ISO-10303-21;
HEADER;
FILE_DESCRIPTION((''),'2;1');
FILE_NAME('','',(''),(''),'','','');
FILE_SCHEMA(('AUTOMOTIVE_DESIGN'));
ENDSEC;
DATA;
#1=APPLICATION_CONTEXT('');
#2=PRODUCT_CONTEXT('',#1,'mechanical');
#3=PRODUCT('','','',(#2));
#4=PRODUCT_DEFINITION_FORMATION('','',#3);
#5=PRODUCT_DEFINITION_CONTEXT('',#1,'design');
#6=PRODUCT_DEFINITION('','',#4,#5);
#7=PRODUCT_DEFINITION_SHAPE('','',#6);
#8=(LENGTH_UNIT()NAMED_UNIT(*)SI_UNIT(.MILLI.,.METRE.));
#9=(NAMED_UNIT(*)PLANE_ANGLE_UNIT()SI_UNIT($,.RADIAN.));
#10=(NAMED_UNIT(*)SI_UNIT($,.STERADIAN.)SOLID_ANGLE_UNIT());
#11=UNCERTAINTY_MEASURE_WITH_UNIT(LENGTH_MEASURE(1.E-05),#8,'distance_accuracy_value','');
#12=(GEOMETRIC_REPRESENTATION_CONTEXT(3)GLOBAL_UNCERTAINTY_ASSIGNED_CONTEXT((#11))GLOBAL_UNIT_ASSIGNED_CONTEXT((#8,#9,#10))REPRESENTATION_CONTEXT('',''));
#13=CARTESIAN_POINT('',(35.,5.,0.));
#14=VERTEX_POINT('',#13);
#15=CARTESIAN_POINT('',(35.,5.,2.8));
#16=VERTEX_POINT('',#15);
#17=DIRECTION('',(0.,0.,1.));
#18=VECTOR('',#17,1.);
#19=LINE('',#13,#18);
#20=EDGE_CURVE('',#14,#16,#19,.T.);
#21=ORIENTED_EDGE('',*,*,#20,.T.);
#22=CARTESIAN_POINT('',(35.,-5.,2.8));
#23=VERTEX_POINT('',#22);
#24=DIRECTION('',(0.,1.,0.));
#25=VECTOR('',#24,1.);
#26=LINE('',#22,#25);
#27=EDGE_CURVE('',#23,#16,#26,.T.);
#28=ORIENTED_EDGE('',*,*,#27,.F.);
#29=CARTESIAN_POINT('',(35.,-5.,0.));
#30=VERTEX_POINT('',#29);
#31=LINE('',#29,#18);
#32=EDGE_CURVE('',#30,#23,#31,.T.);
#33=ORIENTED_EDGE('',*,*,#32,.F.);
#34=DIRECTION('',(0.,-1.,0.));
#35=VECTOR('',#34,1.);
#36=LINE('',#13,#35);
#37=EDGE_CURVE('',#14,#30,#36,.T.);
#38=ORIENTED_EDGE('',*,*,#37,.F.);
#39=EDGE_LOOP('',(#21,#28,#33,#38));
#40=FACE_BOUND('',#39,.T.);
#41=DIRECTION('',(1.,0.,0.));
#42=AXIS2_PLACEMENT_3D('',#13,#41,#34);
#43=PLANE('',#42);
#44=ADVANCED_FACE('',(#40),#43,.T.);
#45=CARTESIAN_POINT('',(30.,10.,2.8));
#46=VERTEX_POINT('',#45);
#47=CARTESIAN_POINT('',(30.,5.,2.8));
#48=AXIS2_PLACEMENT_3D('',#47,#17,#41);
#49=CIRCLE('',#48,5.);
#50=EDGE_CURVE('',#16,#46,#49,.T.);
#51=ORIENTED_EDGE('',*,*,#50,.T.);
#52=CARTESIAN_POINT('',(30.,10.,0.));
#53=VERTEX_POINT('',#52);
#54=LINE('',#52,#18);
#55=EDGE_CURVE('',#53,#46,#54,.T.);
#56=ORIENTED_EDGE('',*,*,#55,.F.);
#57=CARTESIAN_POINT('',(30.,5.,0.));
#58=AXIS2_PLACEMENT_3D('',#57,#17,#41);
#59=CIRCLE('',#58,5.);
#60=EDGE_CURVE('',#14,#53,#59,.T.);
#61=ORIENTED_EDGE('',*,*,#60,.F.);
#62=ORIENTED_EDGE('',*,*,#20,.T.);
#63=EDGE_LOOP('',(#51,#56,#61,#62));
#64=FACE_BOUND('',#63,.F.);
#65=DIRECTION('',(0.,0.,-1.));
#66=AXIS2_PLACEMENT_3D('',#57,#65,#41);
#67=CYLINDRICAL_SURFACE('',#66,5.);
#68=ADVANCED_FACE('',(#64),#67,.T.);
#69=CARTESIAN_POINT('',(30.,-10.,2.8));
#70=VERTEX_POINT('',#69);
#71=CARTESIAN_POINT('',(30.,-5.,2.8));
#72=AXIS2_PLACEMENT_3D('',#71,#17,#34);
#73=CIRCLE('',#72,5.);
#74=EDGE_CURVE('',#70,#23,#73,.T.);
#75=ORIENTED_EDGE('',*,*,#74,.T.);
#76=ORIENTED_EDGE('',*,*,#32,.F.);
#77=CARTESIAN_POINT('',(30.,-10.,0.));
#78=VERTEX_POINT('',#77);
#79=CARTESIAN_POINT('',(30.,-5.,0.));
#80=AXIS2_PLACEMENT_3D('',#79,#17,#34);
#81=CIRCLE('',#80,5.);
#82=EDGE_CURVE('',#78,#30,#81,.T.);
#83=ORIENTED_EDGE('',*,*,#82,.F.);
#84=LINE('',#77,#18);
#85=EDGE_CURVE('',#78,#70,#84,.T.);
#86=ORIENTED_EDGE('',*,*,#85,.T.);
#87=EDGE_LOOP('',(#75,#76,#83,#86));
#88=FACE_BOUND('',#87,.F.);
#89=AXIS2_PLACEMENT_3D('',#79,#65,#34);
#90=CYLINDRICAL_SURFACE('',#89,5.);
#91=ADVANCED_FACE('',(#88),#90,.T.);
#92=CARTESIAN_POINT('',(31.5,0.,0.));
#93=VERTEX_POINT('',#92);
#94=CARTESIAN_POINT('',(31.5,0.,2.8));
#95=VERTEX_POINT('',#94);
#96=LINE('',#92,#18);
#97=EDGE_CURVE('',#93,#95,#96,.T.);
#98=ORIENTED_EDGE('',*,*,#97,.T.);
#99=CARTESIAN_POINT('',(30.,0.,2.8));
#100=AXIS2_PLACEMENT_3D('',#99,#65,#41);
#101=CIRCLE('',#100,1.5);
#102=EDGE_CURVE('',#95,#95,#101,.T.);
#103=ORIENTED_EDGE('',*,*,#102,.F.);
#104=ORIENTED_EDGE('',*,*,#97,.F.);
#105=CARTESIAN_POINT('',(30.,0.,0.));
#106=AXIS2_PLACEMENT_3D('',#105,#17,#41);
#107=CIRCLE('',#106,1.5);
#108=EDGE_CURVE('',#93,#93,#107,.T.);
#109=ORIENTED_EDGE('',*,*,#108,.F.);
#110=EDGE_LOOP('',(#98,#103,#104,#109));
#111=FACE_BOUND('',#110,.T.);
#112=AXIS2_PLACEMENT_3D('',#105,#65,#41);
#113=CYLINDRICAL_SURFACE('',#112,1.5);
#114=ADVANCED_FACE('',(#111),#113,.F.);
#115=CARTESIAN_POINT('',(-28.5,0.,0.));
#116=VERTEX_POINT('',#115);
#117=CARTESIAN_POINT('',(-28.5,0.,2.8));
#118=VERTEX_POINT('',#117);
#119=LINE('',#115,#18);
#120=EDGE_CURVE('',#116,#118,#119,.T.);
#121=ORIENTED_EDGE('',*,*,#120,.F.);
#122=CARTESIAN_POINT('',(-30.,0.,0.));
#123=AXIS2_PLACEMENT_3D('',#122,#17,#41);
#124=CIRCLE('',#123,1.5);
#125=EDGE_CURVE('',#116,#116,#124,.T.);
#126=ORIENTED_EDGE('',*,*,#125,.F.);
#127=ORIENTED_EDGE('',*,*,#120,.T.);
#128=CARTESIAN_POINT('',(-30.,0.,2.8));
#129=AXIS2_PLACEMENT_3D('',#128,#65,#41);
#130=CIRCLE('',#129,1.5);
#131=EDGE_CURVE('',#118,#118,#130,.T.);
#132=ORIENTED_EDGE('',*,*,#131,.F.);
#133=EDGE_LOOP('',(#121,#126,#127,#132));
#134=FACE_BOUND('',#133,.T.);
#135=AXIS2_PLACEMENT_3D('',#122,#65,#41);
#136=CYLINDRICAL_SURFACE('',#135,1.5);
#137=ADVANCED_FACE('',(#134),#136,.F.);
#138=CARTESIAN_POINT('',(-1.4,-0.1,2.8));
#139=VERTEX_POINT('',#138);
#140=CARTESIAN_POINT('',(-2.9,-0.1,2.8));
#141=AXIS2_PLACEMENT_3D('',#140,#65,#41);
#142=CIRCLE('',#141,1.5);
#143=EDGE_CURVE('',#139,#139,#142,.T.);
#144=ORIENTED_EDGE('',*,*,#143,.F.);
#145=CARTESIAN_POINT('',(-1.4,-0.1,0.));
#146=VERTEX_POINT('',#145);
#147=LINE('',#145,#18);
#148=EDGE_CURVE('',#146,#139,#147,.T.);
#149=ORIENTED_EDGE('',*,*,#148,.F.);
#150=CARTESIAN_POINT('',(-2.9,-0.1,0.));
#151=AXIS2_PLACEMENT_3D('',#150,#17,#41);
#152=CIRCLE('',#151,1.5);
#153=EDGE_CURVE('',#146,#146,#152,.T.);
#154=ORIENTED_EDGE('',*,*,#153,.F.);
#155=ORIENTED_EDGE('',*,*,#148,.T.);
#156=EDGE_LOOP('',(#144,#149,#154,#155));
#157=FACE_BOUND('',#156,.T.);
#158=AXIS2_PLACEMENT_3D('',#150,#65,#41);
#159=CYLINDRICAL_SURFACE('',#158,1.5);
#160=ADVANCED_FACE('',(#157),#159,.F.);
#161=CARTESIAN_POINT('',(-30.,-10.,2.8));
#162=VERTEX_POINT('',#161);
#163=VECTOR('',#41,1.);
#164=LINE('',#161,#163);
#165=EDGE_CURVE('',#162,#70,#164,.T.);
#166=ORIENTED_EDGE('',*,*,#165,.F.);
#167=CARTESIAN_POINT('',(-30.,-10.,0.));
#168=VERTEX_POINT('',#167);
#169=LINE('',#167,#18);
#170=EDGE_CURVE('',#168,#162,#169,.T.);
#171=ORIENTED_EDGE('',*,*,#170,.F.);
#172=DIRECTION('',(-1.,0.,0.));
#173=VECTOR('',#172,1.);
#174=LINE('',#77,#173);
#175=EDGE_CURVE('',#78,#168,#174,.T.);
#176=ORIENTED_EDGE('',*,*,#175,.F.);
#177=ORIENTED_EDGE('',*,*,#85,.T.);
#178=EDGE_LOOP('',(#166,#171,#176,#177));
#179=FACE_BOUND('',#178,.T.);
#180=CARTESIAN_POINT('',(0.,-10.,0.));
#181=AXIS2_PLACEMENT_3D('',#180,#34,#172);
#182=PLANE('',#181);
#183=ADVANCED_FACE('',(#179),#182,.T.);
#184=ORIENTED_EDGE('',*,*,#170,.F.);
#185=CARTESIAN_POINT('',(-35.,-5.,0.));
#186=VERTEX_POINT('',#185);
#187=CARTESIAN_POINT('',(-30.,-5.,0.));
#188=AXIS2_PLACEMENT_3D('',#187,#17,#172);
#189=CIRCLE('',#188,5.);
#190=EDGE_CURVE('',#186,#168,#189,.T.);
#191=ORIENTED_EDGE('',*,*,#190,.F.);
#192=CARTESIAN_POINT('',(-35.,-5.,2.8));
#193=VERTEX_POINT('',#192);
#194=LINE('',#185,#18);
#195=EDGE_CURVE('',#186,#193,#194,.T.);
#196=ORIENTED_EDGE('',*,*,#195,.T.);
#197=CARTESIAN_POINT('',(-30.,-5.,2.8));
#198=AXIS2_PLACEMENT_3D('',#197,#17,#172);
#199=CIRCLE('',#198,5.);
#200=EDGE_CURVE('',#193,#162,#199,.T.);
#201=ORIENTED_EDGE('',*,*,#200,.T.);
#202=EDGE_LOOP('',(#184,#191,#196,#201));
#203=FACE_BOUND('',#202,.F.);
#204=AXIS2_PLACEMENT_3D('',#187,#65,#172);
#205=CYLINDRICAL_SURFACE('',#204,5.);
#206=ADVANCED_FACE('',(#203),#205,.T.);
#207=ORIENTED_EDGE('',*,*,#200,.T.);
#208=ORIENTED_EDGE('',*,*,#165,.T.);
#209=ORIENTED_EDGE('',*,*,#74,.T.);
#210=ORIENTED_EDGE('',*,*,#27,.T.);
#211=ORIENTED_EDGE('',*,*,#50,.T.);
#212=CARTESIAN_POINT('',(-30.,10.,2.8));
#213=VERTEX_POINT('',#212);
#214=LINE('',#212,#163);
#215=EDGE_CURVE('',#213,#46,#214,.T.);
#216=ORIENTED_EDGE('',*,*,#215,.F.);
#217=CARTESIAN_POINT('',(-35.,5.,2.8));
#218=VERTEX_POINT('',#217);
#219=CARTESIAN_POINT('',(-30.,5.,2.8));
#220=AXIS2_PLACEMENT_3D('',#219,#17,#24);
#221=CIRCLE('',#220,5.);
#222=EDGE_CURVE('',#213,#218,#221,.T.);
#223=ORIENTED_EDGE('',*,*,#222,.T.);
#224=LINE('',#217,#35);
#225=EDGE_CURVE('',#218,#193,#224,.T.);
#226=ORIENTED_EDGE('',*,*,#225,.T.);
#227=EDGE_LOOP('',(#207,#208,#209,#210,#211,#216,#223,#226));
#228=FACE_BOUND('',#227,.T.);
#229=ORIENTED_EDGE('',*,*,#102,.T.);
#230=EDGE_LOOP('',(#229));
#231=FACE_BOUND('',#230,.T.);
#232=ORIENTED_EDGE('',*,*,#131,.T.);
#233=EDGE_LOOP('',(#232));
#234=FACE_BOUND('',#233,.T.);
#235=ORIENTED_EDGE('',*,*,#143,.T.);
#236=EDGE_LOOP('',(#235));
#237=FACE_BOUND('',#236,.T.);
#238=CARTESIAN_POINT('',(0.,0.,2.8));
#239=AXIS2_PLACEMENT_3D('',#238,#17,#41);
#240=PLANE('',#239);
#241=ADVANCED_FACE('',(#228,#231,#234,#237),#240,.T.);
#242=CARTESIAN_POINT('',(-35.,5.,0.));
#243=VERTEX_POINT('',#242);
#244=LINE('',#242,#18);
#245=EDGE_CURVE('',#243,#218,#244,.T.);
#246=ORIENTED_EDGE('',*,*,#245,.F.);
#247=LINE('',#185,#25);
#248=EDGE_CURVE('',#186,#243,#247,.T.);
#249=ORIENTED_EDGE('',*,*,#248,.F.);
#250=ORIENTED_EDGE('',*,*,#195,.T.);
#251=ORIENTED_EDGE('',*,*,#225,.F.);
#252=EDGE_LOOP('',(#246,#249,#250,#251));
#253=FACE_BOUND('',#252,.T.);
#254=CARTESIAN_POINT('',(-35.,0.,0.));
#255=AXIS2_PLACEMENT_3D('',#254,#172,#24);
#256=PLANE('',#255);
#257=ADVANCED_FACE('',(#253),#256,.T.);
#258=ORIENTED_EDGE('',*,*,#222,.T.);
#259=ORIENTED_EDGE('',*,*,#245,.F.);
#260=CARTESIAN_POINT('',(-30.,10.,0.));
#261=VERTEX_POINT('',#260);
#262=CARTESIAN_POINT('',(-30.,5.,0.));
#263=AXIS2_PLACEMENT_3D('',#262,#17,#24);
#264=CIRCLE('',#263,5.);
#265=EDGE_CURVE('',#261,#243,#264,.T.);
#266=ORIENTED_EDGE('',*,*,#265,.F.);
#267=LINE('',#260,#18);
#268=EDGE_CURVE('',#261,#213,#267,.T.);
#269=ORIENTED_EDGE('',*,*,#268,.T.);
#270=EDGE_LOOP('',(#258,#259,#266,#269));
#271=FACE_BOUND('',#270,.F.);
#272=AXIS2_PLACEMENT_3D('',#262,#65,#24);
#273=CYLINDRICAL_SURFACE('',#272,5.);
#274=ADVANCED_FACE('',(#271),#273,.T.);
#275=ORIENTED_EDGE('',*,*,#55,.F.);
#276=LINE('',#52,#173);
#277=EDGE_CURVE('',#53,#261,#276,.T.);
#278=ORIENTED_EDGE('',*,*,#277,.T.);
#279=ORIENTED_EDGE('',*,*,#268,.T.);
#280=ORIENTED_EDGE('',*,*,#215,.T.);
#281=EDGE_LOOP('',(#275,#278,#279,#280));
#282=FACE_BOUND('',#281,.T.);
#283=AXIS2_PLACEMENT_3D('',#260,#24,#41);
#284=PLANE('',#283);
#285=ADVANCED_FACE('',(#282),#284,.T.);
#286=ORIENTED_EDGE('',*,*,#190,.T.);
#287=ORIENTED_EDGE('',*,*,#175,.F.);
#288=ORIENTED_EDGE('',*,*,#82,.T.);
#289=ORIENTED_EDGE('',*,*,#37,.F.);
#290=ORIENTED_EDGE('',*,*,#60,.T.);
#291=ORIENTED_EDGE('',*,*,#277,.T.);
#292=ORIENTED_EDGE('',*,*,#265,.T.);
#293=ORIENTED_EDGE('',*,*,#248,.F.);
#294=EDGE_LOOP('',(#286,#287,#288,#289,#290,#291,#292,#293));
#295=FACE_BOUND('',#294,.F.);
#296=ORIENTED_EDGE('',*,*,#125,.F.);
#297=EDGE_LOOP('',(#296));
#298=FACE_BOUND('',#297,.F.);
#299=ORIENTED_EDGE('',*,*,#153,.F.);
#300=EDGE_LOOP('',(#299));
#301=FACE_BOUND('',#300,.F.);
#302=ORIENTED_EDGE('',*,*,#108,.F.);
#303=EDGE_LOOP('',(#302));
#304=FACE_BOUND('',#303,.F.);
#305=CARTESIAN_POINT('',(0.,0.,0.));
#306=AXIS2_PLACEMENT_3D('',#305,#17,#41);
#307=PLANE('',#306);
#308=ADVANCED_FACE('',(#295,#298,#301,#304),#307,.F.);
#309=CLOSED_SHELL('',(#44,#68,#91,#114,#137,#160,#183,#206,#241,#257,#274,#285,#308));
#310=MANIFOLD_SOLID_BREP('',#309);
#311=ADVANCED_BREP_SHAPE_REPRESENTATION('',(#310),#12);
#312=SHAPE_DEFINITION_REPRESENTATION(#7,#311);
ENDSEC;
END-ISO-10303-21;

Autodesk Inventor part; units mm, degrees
ref_plane "YZ Plane" through (0, 0, 0) normal (1, 0, 0) x (0, 1, 0)
ref_plane "XZ Plane" through (0, 0, 0) normal (0, 1, 0) x (-1, 0, 0)
ref_plane "XY Plane" through (0, 0, 0) normal (0, 0, 1) x (1, 0, 0)
sketch "Sketch1" plane through (0, 0, 0) normal (0, 0, 1) x (1, 0, 0)
  line L0 (-30, 10) -> (30, 10)
  line L1 (35, 5) -> (35, -5)
  line L2 (30, -10) -> (-30, -10)
  line L3 (-35, -5) -> (-35, 5)
  line L4 (-50.4497, 0) -> (50.4497, 0) projected
  line L5 (0, -15.4497) -> (0, 15.4497) projected
  arc A0 (-30, 10) -> (-35, 5) centre (-30, 5) ccw
  arc A1 (-35, -5) -> (-30, -10) centre (-30, -5) ccw
  arc A2 (30, -10) -> (35, -5) centre (30, -5) ccw
  arc A3 (35, 5) -> (30, 10) centre (30, 5) ccw
  circle A4 centre (-30, 0) radius 1.5
  circle A5 centre (30, 0) radius 1.5
  circle A6 centre (-2.9, -0.1) radius 1.5
  point P0 (0, 0)
  point P1 (-35, 10)
  point P2 (35, -10)
  point P3 (35, 10)
  point P4 (-35, -10)
  dimension "d2" = 70
  dimension "d3" = 35
  dimension "d4" = 20
  dimension "d5" = 10
  dimension "d6" = 5
  dimension "d9" = 3
  dimension "d10" = 3
extrude "Extrusion2" add sketch "Sketch1" along normal blind 2.8 contours L0 L5 L4 A6 A4 L3 A0 | L0 A3 L1 L4 A5 L5 | L5 L2 A1 L3 L4 A4 A6 | L4 A5 L1 A2 L2 L5
equation "\"d3\" = 0.5 * d2"
equation "\"d5\" = 0.5 * d4"
properties part number "Acrylic_YawServoSupport_4"
